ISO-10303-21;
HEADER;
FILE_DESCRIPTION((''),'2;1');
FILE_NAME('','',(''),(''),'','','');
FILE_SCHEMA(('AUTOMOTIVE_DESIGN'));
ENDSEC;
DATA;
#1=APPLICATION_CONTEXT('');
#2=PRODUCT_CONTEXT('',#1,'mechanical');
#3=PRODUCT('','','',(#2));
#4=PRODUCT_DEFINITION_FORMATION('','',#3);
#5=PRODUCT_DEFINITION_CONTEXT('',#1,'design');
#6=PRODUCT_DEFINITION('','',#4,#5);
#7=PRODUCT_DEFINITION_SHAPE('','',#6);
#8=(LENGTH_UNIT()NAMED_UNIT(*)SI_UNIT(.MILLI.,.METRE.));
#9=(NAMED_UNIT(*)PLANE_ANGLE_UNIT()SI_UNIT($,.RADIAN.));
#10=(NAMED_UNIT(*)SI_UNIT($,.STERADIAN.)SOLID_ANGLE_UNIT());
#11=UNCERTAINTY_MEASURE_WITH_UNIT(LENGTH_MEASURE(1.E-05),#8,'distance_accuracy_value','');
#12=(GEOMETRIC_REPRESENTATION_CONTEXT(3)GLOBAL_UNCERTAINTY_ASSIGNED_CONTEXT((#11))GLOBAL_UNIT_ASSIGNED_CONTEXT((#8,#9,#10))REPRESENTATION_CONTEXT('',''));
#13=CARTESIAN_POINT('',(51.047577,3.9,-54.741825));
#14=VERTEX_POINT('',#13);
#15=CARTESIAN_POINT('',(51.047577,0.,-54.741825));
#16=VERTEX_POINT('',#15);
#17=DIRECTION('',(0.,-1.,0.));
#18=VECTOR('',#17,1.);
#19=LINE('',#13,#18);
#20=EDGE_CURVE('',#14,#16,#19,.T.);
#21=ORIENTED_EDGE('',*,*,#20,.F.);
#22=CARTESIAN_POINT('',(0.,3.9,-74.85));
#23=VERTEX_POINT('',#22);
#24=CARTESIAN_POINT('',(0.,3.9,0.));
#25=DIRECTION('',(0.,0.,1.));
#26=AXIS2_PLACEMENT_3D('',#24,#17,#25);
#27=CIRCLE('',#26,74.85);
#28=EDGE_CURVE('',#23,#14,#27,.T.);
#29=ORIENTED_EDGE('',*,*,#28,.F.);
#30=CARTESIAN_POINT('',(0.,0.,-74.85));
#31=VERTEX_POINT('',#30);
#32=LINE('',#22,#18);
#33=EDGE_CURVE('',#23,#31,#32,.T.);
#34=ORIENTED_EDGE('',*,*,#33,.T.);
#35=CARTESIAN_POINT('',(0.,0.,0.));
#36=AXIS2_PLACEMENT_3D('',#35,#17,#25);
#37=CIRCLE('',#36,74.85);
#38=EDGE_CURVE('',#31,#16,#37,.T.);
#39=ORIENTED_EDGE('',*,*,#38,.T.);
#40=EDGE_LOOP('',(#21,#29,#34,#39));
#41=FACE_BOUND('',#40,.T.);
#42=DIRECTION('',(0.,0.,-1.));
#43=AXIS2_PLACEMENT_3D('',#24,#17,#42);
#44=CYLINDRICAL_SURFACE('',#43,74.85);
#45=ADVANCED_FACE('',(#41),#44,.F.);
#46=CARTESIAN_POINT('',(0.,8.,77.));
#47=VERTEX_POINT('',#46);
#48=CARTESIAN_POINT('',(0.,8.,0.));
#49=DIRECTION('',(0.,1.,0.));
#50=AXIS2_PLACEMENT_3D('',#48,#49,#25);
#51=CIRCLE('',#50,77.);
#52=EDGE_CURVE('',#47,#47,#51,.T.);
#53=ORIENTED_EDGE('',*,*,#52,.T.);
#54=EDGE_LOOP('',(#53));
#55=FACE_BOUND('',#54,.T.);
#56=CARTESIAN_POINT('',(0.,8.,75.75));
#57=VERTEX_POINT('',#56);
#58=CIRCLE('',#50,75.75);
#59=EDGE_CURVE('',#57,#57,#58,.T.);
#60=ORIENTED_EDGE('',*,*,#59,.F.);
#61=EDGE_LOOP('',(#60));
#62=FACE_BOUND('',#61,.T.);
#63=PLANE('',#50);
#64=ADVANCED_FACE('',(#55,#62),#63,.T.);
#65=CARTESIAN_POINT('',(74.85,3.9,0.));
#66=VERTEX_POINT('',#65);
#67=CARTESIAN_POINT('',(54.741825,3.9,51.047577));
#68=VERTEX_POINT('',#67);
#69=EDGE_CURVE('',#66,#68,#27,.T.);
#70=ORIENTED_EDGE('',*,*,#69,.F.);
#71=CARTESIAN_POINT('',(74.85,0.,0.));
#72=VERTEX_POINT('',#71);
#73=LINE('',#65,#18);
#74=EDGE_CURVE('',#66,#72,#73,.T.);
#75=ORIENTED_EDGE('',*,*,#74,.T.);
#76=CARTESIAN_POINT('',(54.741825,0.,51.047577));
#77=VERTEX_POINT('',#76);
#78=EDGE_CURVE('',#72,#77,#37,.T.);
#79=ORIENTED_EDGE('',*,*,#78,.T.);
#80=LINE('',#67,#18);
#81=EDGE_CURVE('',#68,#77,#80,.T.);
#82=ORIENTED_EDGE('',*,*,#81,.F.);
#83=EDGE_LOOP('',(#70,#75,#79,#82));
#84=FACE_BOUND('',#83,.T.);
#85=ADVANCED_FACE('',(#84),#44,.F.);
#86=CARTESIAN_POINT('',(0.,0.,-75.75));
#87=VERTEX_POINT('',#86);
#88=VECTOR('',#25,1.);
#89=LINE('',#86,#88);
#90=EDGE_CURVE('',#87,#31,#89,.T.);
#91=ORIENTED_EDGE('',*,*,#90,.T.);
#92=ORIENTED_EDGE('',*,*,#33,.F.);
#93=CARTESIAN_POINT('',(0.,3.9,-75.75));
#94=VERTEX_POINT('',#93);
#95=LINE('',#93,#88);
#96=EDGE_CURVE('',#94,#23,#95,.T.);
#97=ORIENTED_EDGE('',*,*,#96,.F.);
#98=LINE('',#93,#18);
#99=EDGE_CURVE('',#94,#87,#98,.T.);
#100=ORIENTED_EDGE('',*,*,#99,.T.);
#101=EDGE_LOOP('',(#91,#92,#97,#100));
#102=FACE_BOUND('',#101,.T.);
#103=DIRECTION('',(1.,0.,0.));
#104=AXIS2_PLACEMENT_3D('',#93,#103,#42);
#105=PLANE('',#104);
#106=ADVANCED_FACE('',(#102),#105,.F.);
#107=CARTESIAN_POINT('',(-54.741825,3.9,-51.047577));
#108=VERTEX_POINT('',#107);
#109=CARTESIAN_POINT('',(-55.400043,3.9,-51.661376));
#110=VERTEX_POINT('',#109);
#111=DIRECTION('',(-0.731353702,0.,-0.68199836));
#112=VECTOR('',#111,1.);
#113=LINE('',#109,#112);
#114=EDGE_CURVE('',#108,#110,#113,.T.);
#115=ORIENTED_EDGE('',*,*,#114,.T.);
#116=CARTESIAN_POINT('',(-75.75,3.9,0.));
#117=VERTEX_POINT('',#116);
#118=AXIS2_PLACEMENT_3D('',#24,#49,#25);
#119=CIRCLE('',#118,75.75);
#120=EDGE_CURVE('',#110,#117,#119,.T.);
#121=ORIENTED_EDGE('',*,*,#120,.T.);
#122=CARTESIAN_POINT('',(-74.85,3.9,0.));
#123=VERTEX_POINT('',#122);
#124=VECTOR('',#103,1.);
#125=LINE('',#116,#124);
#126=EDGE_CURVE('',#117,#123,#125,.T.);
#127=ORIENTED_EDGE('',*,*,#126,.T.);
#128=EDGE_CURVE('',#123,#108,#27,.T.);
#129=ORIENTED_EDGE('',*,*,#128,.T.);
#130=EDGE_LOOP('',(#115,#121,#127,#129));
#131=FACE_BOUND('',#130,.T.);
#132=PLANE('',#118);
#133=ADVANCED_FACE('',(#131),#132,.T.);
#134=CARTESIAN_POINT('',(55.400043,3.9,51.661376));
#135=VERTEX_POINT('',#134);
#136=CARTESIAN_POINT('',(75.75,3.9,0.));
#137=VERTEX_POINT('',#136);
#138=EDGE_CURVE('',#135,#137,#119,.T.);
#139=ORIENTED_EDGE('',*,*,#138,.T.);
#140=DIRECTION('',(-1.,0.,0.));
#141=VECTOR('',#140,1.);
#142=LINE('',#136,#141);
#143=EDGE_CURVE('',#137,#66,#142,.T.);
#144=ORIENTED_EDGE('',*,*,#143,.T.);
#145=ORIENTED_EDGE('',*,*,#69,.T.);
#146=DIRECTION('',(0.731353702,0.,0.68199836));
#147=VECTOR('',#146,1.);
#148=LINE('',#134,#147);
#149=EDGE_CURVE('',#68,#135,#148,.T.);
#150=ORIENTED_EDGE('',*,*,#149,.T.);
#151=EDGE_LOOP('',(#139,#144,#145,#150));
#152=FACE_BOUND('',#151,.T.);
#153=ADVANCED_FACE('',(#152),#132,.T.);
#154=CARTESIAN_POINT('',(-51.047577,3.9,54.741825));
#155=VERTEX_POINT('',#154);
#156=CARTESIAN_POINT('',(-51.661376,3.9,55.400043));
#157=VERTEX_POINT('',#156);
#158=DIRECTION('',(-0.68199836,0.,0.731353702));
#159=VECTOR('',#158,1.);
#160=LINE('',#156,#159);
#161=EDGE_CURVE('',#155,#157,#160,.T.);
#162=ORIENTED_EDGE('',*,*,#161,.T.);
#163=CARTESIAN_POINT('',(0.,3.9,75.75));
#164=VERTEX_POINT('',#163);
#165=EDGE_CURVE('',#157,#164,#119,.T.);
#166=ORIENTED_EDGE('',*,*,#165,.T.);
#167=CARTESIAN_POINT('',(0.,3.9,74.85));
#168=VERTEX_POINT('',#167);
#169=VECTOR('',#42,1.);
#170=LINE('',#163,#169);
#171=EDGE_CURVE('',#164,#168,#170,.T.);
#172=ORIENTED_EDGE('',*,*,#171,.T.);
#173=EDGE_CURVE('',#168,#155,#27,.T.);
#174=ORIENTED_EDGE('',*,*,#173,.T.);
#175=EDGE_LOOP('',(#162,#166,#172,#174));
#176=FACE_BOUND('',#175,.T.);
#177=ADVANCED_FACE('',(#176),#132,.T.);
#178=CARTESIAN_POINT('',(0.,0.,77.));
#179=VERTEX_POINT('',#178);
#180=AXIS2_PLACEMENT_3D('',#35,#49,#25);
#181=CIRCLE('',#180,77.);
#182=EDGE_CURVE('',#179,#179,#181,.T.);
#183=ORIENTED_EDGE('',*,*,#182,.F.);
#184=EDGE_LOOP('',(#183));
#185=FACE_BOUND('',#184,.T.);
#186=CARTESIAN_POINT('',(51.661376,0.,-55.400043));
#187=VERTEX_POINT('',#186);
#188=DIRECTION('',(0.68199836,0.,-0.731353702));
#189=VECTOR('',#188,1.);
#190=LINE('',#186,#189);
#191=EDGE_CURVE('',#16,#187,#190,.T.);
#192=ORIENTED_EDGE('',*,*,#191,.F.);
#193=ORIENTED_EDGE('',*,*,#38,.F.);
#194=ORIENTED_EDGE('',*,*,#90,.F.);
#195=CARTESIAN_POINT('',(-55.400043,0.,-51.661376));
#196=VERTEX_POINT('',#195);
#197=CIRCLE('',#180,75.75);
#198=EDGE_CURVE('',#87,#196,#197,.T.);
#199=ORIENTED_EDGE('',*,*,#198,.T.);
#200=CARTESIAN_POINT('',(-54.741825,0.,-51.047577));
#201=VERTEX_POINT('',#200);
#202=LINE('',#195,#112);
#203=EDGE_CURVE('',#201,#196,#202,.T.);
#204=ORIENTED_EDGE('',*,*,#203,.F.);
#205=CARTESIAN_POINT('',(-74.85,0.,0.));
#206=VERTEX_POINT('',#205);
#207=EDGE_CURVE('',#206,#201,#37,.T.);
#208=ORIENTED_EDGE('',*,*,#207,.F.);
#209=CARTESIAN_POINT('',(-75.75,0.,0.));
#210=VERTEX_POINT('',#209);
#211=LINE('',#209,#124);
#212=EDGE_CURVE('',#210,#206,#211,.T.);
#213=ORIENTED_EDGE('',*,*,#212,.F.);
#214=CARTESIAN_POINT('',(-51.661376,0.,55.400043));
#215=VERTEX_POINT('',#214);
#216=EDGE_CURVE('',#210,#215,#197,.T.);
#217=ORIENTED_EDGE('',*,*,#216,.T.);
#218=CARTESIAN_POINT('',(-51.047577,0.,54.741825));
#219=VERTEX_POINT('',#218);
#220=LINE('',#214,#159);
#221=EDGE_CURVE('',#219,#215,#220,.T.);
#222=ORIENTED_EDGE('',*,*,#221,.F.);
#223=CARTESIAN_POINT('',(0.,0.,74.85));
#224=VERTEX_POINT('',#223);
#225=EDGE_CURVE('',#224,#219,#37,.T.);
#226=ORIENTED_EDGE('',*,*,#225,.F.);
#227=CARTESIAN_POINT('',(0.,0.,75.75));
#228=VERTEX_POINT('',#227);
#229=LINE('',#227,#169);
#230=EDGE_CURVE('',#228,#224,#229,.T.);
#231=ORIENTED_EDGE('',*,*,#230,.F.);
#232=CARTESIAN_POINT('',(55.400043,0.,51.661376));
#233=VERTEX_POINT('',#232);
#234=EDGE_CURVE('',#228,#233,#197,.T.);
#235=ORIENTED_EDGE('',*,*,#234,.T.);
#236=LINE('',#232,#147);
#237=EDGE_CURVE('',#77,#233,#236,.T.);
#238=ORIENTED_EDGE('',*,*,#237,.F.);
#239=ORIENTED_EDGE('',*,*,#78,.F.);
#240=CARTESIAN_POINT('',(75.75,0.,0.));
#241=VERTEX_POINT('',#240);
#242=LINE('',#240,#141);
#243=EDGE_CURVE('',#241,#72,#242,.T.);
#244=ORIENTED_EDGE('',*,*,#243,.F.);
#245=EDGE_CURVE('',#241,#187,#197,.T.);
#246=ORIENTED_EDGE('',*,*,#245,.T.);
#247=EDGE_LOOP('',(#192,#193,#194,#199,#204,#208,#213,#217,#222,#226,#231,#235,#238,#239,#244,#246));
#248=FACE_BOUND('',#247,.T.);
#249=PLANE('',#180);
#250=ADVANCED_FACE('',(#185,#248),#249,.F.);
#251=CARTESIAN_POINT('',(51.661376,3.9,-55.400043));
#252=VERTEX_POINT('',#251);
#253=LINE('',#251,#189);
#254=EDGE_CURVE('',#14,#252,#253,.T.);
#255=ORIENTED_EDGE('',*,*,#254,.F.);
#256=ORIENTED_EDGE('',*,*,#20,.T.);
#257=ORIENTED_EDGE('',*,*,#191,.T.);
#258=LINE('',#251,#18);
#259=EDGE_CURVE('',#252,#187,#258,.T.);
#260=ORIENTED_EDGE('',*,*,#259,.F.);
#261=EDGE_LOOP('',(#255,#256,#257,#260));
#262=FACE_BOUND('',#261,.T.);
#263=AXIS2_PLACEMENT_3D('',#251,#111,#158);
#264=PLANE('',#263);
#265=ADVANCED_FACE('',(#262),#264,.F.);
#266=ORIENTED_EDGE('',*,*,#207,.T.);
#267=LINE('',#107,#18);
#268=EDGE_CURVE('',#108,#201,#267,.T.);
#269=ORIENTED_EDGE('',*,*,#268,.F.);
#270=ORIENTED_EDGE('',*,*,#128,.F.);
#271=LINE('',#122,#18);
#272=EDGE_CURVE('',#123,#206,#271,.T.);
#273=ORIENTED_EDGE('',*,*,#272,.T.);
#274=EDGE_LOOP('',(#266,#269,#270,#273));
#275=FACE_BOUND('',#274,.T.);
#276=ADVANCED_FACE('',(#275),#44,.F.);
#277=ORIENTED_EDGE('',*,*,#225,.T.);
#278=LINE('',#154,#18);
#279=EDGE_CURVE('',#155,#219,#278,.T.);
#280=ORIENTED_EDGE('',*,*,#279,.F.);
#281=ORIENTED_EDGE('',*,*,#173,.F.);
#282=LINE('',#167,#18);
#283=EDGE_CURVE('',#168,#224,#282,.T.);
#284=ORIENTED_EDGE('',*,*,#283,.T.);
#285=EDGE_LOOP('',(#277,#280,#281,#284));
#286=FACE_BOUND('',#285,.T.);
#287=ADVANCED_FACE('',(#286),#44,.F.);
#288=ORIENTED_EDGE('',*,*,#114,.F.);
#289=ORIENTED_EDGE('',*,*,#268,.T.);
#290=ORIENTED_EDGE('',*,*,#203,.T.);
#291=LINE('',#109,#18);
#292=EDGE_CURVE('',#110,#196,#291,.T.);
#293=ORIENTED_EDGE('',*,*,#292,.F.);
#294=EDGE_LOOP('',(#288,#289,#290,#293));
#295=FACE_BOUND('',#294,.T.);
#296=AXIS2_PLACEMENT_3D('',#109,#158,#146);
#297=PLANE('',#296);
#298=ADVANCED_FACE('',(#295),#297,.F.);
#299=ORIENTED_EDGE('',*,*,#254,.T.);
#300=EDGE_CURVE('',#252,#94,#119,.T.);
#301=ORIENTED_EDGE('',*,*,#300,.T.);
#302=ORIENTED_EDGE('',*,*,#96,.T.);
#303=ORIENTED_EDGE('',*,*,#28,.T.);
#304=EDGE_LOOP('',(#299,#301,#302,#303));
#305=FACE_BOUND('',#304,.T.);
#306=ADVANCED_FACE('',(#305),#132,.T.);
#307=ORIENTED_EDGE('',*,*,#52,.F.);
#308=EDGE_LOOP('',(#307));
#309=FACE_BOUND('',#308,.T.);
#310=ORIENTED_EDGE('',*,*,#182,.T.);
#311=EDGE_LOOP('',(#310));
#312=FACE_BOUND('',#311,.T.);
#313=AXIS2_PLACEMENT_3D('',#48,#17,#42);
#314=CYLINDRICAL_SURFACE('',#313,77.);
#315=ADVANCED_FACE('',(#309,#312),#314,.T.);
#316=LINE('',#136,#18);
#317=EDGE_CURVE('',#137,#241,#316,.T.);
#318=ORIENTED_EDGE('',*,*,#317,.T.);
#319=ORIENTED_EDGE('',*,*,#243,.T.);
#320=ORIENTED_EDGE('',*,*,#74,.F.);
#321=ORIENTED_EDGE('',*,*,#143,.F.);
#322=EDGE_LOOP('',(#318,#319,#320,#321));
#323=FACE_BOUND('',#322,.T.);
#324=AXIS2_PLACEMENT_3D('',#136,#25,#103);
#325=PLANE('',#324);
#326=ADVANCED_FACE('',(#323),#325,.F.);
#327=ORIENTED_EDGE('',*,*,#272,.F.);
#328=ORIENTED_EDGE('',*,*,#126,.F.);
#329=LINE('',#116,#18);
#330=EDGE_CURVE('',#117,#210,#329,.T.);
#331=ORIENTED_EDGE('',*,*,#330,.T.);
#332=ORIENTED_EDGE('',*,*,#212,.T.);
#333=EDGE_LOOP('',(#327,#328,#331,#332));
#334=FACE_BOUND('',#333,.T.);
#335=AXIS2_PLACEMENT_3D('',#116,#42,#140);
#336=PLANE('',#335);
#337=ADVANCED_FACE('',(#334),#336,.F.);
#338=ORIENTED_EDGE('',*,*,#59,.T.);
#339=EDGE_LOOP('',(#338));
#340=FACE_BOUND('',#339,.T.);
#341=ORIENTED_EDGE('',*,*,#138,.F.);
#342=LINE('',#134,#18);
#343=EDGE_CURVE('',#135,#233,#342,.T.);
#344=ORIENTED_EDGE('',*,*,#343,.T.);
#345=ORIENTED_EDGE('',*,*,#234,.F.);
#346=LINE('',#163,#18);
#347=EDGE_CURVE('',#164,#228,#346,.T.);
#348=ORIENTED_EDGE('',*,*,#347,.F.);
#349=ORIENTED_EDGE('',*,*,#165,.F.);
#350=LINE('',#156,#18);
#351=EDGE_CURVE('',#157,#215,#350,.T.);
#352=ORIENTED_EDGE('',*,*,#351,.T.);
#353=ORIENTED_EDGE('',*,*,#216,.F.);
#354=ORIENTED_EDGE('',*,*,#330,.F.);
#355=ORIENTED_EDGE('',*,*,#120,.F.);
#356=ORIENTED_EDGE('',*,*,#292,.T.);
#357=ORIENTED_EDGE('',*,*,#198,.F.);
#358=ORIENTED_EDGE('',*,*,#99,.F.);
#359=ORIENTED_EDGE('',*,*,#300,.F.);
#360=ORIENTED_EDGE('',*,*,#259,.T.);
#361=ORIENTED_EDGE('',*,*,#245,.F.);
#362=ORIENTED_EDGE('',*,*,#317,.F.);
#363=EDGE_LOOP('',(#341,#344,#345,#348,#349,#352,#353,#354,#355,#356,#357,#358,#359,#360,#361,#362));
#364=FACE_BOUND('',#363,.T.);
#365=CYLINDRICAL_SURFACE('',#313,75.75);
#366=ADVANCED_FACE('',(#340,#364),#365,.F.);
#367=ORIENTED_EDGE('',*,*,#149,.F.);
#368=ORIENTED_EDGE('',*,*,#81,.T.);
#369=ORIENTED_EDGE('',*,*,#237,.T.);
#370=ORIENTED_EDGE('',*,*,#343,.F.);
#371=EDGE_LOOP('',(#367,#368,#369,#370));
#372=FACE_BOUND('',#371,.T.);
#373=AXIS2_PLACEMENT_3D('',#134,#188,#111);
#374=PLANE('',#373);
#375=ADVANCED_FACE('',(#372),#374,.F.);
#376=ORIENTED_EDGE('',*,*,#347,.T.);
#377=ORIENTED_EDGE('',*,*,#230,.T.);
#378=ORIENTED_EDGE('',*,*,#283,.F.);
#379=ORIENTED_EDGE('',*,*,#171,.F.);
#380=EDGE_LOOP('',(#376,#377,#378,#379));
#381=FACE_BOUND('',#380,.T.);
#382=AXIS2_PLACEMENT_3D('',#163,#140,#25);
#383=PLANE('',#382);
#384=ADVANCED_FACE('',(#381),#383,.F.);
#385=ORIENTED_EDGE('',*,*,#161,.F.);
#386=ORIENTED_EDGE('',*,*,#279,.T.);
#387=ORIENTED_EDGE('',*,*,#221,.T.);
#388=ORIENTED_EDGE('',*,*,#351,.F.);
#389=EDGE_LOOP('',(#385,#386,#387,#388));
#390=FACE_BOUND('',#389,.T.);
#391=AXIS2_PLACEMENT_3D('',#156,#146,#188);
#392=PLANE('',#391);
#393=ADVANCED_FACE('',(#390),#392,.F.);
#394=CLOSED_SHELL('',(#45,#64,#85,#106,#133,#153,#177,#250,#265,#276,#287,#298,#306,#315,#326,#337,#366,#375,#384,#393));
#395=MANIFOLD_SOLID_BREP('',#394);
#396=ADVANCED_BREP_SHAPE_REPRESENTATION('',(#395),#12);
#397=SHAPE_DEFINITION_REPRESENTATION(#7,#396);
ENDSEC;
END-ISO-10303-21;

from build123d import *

# Parameters (mm, degrees)
SKETCH_1_R      = 77
SKETCH_1_R_2    = 75.75
EXTRUDE_1_DEPTH = 8
EXTRUDE_2_DEPTH = 3.9


with BuildPart() as part:
    # 草图1 → 凸台-拉伸1 (new body)
    with BuildSketch(Plane(origin=(0, 0, 0), x_dir=(1, 0, 0), z_dir=(0, 1, 0))):
        with Locations(Location((0, 0, 0), (0, 0, 270))):
            Circle(SKETCH_1_R)
        with Locations(Location((0, 0, 0), (0, 0, 270))):
            Circle(SKETCH_1_R_2, mode=Mode.SUBTRACT)
    extrude(amount=EXTRUDE_1_DEPTH)

    # 草图2 → 凸台-拉伸2 (add)
    with BuildSketch(Plane(origin=(0, 0, 0), x_dir=(1, 0, 0), z_dir=(0, 1, 0))):
        with BuildLine():
            Line((0, 75.75), (0, 74.85))
            ThreePointArc((0, 74.85), (27.43261682, 69.641754963), (51.047577251, 54.741824566))
            Line((51.047577251, 54.741824566), (51.661375775, 55.400042898))
            ThreePointArc((51.661375775, 55.400042898), (27.762467924, 70.479130775), (0, 75.75))
        make_face()
        with BuildLine():
            Line((55.400042898, -51.661375775), (54.741824566, -51.047577251))
            ThreePointArc((54.741824566, -51.047577251), (69.641754963, -27.43261682), (74.85, 0))
            Line((74.85, 0), (75.75, 0))
            ThreePointArc((75.75, 0), (70.479130775, -27.762467924), (55.400042898, -51.661375775))
        make_face()
        with BuildLine():
            Line((-51.661375775, -55.400042898), (-51.047577251, -54.741824566))
            ThreePointArc((-51.047577251, -54.741824566), (-27.43261682, -69.641754963), (0, -74.85))
            Line((0, -74.85), (0, -75.75))
            ThreePointArc((0, -75.75), (-27.762467924, -70.479130775), (-51.661375775, -55.400042898))
        make_face()
        with BuildLine():
            Line((-55.400042898, 51.661375775), (-54.741824566, 51.047577251))
            ThreePointArc((-54.741824566, 51.047577251), (-69.641754963, 27.43261682), (-74.85, 0))
            Line((-74.85, 0), (-75.75, 0))
            ThreePointArc((-75.75, 0), (-70.479130775, 27.762467924), (-55.400042898, 51.661375775))
        make_face()
    extrude(amount=EXTRUDE_2_DEPTH)


solid = part.part
